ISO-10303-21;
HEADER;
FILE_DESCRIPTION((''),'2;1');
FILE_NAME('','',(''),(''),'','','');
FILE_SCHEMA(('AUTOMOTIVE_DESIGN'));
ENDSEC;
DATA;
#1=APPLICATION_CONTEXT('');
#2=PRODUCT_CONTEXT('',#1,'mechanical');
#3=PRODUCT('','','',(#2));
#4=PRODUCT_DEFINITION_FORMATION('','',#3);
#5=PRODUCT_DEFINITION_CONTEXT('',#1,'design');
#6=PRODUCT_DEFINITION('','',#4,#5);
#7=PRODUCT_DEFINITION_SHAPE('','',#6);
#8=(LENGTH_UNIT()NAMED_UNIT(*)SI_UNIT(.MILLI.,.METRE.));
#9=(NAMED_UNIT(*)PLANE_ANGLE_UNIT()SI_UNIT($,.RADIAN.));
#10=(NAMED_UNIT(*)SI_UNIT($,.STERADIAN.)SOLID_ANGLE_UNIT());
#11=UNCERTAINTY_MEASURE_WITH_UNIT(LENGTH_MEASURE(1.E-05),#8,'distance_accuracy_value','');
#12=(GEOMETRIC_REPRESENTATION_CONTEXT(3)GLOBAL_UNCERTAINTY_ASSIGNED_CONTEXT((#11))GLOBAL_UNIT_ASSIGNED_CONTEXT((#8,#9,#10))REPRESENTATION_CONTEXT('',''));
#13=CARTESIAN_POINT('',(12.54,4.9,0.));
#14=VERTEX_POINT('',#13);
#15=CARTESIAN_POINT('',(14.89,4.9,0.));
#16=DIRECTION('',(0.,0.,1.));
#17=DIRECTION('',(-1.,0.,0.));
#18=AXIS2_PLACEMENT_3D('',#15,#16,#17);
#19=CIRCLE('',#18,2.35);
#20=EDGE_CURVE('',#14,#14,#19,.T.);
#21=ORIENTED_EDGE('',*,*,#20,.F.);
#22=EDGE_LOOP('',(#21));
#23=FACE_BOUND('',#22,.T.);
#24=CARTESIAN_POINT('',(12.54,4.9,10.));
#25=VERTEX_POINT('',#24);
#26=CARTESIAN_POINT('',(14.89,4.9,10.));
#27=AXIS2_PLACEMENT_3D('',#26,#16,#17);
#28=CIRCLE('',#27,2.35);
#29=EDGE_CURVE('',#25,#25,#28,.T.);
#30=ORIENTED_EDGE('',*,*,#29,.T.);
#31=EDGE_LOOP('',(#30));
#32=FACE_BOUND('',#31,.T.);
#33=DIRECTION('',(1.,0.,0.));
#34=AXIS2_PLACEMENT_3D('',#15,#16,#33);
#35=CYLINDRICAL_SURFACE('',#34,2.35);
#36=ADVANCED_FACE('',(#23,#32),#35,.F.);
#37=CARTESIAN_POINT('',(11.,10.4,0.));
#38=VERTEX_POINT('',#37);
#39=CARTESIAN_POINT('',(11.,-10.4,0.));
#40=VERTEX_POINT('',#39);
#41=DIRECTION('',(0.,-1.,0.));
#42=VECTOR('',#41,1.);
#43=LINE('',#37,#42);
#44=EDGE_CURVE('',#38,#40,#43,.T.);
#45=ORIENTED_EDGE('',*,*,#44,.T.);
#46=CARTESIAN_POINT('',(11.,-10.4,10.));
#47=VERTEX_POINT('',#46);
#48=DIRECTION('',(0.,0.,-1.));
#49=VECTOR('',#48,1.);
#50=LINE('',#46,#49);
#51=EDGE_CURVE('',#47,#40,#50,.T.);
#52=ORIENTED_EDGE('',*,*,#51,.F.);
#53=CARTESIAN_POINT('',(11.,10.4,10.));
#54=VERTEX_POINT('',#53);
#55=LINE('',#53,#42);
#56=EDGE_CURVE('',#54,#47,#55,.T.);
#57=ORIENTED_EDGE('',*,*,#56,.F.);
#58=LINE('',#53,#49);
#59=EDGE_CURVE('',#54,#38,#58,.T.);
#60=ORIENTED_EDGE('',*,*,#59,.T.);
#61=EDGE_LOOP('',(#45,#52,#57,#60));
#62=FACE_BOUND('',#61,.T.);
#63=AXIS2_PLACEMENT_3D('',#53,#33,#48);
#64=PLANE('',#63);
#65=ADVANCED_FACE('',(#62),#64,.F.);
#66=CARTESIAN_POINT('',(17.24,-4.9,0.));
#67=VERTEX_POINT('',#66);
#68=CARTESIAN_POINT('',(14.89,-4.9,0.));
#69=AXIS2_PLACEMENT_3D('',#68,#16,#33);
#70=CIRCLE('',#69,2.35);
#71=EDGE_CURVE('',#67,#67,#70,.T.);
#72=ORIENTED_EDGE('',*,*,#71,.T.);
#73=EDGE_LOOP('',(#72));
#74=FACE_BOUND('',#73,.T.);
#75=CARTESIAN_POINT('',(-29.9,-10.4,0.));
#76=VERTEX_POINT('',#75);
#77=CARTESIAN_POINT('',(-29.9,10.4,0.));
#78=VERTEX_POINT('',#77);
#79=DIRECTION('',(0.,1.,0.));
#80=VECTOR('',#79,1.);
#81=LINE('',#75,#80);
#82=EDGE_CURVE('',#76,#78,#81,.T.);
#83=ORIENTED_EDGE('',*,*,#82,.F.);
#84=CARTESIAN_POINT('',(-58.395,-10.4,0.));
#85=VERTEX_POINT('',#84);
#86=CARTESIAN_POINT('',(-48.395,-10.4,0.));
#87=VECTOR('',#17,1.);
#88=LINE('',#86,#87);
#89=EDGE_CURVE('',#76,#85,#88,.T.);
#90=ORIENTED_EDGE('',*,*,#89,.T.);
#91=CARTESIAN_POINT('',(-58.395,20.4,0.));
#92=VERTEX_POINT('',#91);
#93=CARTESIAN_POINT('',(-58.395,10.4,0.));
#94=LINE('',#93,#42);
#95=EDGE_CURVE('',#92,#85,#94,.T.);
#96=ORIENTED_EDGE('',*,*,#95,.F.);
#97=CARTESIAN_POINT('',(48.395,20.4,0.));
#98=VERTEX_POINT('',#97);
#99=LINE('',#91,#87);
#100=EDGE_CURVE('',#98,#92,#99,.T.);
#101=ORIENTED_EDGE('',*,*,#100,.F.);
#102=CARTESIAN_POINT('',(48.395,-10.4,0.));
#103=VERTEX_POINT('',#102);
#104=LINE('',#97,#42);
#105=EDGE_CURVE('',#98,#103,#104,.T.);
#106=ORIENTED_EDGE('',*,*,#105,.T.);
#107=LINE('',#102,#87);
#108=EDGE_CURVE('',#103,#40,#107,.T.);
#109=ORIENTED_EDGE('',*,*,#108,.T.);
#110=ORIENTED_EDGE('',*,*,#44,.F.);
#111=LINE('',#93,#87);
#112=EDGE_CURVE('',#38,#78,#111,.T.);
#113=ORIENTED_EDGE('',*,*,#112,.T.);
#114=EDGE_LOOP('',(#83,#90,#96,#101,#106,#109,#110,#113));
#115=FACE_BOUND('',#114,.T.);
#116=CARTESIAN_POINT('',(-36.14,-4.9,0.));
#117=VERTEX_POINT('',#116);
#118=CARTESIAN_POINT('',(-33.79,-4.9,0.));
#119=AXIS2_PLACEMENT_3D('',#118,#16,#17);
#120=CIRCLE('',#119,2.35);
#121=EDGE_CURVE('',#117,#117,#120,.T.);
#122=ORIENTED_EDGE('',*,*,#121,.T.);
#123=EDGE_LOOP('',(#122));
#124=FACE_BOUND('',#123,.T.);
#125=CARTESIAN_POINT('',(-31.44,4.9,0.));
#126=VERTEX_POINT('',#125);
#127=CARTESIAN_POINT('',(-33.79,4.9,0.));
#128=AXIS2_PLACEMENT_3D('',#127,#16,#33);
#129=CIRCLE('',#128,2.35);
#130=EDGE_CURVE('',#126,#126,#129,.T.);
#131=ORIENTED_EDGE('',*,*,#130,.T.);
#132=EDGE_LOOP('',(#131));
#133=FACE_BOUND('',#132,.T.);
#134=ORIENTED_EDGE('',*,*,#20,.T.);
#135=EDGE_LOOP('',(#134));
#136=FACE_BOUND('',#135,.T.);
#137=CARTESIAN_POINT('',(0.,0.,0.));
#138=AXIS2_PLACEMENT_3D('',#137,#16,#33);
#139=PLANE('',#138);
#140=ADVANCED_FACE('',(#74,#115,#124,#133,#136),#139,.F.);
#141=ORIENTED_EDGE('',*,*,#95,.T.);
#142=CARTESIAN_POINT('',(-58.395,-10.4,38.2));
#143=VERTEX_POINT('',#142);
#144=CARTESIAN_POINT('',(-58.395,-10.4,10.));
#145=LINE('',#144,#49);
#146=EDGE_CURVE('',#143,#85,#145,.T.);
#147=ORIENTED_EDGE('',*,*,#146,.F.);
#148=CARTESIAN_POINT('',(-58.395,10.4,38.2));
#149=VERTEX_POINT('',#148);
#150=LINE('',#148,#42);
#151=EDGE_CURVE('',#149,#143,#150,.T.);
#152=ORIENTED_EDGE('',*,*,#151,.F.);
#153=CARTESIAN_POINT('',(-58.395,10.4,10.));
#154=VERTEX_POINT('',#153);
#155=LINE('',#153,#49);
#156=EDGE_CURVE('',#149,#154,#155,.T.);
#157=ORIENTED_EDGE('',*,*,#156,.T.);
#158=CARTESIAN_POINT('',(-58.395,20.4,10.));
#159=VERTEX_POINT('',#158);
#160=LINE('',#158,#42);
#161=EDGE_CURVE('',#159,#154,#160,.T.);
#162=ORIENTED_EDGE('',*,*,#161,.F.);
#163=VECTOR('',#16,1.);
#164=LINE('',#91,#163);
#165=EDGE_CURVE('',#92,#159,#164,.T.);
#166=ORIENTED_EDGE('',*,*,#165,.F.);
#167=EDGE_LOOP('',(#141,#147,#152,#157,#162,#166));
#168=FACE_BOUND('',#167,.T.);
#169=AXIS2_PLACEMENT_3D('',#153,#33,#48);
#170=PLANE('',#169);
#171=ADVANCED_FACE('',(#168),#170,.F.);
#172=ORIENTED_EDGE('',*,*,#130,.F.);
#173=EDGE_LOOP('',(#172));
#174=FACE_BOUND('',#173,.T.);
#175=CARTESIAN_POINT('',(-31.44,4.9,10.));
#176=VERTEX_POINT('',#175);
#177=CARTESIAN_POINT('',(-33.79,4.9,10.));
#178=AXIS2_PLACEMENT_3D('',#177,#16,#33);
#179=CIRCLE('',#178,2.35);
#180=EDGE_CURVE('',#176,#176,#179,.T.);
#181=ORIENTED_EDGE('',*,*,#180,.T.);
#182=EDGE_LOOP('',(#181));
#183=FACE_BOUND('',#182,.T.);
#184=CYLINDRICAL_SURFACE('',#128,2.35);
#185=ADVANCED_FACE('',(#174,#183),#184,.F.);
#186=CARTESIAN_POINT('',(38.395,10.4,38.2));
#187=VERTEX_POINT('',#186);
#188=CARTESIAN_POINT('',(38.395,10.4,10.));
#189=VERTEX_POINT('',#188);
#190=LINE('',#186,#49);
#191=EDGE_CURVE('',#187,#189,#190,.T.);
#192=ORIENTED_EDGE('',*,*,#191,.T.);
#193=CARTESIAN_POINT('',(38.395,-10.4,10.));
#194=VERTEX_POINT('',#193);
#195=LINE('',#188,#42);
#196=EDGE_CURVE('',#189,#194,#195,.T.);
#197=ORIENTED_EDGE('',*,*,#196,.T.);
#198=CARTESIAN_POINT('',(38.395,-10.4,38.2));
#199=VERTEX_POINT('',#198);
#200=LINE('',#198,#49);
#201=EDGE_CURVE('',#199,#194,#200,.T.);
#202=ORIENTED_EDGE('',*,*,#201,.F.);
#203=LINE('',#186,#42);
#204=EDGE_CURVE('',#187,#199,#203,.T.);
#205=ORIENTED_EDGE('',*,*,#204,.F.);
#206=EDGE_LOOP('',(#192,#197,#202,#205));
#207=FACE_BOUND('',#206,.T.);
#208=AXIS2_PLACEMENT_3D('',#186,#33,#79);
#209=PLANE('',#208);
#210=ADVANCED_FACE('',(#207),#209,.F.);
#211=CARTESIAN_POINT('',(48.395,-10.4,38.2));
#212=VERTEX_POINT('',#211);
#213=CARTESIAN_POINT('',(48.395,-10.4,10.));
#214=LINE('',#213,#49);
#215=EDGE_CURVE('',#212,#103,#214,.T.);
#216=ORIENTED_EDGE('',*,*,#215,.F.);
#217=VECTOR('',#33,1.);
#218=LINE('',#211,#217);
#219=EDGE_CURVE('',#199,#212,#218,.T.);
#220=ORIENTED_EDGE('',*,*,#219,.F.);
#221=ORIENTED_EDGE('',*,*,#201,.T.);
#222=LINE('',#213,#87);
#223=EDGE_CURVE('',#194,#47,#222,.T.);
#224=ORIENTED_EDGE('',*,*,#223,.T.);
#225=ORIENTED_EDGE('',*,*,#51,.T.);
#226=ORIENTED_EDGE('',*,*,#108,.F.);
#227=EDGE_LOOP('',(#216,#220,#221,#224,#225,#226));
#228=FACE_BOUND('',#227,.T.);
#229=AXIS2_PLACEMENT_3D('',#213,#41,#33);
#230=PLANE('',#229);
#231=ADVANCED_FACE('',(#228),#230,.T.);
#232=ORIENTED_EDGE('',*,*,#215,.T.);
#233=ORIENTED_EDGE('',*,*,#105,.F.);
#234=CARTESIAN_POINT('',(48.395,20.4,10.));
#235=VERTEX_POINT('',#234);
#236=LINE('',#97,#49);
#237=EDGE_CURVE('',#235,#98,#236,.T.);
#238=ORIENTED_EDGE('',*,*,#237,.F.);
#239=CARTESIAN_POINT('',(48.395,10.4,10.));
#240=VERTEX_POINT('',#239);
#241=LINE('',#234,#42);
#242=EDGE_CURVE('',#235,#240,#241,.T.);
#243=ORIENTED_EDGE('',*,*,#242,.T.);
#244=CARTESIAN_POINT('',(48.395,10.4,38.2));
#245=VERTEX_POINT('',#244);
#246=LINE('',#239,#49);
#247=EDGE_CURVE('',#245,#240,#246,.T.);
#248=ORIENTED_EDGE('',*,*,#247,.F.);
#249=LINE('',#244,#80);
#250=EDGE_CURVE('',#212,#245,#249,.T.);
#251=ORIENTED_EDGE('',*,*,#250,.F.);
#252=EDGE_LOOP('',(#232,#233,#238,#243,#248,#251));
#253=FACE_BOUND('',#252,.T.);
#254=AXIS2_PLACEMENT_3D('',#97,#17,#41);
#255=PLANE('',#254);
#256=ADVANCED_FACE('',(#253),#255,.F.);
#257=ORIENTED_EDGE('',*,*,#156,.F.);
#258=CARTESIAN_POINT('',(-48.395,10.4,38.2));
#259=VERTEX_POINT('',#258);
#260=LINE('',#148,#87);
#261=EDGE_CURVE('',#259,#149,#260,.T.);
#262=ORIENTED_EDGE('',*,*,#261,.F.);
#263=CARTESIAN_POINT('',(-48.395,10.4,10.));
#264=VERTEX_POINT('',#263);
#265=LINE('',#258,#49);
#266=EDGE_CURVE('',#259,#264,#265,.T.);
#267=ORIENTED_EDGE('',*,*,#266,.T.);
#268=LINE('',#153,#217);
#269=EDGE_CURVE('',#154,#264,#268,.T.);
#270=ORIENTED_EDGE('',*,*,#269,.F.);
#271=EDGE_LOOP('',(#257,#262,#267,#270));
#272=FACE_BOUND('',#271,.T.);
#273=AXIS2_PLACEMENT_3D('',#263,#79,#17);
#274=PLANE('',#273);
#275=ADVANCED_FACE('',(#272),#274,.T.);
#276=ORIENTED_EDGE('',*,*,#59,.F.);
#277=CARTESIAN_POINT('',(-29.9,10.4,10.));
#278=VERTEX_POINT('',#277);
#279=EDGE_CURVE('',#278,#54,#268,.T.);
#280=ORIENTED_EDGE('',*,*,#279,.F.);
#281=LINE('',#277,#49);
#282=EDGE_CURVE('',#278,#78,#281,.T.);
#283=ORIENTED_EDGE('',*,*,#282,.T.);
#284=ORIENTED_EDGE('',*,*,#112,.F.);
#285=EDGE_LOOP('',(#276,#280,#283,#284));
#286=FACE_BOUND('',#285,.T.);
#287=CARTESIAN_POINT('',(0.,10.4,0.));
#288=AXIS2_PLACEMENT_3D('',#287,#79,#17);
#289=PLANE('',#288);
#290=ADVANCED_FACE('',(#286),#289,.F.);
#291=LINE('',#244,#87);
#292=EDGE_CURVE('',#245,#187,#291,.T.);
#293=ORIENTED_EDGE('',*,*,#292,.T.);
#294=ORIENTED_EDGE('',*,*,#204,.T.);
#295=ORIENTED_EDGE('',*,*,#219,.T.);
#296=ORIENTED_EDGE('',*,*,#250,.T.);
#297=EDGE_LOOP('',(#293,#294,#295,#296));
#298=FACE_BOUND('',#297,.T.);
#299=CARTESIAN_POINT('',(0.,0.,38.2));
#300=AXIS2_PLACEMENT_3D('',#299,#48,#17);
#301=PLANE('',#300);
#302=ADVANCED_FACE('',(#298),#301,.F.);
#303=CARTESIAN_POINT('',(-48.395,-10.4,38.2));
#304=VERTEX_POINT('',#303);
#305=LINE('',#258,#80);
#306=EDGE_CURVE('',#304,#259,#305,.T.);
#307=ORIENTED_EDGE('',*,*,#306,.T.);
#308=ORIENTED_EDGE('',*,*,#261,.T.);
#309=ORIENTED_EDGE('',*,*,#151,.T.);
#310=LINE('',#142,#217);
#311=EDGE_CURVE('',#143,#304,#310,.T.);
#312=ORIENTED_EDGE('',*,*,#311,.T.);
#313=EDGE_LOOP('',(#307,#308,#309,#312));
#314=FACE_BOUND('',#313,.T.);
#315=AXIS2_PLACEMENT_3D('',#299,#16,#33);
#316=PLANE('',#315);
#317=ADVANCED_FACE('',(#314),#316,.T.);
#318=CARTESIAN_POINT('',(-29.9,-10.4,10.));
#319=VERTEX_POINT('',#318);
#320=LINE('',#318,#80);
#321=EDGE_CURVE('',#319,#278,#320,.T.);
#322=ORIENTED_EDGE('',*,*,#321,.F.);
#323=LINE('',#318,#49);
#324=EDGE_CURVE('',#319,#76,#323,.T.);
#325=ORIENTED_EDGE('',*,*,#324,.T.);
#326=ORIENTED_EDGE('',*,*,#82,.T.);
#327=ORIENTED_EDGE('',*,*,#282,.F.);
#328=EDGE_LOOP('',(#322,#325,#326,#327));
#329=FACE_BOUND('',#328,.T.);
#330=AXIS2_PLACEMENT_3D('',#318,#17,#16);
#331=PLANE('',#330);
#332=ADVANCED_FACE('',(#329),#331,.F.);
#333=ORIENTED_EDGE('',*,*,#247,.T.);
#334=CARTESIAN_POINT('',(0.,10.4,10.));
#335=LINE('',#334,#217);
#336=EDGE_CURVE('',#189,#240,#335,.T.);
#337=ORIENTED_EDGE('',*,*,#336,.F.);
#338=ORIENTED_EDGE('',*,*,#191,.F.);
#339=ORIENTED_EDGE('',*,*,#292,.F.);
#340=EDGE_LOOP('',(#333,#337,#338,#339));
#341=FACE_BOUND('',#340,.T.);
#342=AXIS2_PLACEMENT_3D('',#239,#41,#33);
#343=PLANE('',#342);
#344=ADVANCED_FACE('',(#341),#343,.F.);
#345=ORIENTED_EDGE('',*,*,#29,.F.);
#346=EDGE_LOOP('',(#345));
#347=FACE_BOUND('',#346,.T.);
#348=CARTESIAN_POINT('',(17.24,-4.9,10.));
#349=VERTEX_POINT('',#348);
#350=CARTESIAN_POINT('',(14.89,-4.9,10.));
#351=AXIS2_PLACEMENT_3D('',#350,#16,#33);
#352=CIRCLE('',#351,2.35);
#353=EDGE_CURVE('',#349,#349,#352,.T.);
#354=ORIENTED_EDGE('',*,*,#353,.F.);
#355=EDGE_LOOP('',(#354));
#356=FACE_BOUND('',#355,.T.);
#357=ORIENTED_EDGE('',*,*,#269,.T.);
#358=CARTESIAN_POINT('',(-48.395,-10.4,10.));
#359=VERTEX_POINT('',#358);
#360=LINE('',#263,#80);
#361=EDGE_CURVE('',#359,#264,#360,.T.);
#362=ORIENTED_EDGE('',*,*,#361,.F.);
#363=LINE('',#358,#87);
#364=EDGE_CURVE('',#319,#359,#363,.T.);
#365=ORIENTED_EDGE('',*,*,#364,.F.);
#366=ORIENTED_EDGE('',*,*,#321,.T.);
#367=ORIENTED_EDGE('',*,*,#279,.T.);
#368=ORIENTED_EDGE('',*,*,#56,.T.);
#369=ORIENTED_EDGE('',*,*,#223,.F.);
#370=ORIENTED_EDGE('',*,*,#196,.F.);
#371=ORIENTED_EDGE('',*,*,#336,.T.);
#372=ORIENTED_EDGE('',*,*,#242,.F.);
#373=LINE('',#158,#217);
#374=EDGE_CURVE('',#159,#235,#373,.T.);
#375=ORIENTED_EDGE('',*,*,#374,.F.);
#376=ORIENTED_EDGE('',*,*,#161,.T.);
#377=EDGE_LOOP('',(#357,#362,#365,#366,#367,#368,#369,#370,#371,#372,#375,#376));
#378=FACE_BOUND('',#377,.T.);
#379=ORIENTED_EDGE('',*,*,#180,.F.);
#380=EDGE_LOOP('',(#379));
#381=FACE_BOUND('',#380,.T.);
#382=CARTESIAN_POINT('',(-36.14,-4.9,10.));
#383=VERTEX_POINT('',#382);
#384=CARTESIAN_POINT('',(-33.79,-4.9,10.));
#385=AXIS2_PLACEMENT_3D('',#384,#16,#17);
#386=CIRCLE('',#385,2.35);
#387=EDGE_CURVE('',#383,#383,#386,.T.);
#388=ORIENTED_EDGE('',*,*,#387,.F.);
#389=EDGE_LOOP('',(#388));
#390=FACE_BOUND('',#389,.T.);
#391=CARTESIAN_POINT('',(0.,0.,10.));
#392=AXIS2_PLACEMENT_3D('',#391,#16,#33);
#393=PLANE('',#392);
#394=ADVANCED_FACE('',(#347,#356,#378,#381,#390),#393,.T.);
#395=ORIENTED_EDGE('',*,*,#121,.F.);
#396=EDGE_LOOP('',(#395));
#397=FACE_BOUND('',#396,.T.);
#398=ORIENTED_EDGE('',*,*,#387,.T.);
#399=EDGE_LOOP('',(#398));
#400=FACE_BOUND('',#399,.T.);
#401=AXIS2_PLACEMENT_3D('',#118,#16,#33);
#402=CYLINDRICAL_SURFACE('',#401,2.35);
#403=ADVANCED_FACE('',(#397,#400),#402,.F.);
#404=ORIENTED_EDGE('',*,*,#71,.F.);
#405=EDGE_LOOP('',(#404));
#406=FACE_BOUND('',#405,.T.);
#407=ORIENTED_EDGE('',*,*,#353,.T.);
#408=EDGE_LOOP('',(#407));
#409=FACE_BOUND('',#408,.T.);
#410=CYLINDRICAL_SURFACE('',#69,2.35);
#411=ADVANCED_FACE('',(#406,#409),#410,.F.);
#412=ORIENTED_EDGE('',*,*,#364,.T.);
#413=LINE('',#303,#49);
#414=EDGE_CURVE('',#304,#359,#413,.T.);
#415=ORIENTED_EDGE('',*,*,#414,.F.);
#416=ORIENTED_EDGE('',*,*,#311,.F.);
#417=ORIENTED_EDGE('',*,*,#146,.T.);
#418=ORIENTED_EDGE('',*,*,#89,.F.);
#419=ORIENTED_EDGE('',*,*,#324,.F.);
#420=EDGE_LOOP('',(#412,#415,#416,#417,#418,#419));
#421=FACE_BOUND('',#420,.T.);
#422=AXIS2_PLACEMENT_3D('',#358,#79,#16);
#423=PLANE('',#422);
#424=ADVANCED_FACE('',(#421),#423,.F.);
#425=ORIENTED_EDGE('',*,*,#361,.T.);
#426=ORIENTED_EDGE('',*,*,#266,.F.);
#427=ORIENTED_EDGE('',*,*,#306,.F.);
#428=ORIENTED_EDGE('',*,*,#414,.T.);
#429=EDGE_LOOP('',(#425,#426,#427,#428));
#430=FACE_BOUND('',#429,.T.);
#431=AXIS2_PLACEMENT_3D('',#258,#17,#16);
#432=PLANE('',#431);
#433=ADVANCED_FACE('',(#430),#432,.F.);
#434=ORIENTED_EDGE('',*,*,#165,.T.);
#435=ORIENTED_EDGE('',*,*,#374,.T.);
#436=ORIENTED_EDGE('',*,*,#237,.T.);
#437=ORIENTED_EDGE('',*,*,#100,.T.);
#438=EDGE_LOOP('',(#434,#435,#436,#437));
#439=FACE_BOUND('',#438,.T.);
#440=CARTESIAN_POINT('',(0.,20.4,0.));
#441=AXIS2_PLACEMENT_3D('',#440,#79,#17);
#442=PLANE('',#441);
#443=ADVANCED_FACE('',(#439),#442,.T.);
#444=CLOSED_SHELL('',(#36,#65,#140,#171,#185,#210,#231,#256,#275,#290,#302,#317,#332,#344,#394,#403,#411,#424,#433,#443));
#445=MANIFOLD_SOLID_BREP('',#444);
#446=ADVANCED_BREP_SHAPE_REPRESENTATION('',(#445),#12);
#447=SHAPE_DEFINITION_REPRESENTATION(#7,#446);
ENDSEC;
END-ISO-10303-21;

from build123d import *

# Parameters (mm, degrees)
SKETCH1_W           = 18.495
SKETCH1_H           = 20.8
SKETCH1_W_2         = 10
SKETCH1_W_3         = 37.395
BOSS_EXTRUDE1_DEPTH = 10
SKETCH2_W           = 10
SKETCH2_H           = 20.8
BOSS_EXTRUDE2_DEPTH = 28.2
SKETCH6_W           = 106.79
SKETCH6_H           = 10
BOSS_EXTRUDE4_DEPTH = 10
SKETCH9_R           = 2.35
CUT_EXTRUDE1_DEPTH  = 10


with BuildPart() as part:
    # Sketch1 → Boss-Extrude1 (new body)
    with BuildSketch(Plane.XY):
        with Locations((-39.1475, 0)):
            Rectangle(SKETCH1_W, SKETCH1_H)
        with Locations((-53.395, 0)):
            Rectangle(SKETCH1_W_2, SKETCH1_H)
        with Locations((29.6975, 0)):
            Rectangle(SKETCH1_W_3, SKETCH1_H)
    extrude(amount=BOSS_EXTRUDE1_DEPTH)

    # Sketch2 → Boss-Extrude2 (add)
    with BuildSketch(Plane.XY.offset(10)):
        with Locations((43.395, 0)):
            Rectangle(SKETCH2_W, SKETCH2_H)
        with Locations((-53.395, 0)):
            Rectangle(SKETCH2_W, SKETCH2_H)
    extrude(amount=BOSS_EXTRUDE2_DEPTH)

    # Sketch6 → Boss-Extrude4 (add)
    with BuildSketch(Plane(origin=(0, 10.4, 0), x_dir=(1, 0, 0), z_dir=(0, 1, 0))):
        with Locations((-5, -5)):
            Rectangle(SKETCH6_W, SKETCH6_H)
    extrude(amount=BOSS_EXTRUDE4_DEPTH)

    # Sketch9 → Cut-Extrude1 (cut)
    with BuildSketch(Plane.XY.offset(10)):
        with Locations((14.89, -4.9)):
            Circle(SKETCH9_R)
        with Locations(Location((14.89, 4.9, 0), (0, 0, 180))):
            Circle(SKETCH9_R)
        with Locations(Location((-33.79, -4.9, 0), (0, 0, 180))):
            Circle(SKETCH9_R)
        with Locations((-33.79, 4.9)):
            Circle(SKETCH9_R)
    extrude(amount=-CUT_EXTRUDE1_DEPTH, mode=Mode.SUBTRACT)


solid = part.part
